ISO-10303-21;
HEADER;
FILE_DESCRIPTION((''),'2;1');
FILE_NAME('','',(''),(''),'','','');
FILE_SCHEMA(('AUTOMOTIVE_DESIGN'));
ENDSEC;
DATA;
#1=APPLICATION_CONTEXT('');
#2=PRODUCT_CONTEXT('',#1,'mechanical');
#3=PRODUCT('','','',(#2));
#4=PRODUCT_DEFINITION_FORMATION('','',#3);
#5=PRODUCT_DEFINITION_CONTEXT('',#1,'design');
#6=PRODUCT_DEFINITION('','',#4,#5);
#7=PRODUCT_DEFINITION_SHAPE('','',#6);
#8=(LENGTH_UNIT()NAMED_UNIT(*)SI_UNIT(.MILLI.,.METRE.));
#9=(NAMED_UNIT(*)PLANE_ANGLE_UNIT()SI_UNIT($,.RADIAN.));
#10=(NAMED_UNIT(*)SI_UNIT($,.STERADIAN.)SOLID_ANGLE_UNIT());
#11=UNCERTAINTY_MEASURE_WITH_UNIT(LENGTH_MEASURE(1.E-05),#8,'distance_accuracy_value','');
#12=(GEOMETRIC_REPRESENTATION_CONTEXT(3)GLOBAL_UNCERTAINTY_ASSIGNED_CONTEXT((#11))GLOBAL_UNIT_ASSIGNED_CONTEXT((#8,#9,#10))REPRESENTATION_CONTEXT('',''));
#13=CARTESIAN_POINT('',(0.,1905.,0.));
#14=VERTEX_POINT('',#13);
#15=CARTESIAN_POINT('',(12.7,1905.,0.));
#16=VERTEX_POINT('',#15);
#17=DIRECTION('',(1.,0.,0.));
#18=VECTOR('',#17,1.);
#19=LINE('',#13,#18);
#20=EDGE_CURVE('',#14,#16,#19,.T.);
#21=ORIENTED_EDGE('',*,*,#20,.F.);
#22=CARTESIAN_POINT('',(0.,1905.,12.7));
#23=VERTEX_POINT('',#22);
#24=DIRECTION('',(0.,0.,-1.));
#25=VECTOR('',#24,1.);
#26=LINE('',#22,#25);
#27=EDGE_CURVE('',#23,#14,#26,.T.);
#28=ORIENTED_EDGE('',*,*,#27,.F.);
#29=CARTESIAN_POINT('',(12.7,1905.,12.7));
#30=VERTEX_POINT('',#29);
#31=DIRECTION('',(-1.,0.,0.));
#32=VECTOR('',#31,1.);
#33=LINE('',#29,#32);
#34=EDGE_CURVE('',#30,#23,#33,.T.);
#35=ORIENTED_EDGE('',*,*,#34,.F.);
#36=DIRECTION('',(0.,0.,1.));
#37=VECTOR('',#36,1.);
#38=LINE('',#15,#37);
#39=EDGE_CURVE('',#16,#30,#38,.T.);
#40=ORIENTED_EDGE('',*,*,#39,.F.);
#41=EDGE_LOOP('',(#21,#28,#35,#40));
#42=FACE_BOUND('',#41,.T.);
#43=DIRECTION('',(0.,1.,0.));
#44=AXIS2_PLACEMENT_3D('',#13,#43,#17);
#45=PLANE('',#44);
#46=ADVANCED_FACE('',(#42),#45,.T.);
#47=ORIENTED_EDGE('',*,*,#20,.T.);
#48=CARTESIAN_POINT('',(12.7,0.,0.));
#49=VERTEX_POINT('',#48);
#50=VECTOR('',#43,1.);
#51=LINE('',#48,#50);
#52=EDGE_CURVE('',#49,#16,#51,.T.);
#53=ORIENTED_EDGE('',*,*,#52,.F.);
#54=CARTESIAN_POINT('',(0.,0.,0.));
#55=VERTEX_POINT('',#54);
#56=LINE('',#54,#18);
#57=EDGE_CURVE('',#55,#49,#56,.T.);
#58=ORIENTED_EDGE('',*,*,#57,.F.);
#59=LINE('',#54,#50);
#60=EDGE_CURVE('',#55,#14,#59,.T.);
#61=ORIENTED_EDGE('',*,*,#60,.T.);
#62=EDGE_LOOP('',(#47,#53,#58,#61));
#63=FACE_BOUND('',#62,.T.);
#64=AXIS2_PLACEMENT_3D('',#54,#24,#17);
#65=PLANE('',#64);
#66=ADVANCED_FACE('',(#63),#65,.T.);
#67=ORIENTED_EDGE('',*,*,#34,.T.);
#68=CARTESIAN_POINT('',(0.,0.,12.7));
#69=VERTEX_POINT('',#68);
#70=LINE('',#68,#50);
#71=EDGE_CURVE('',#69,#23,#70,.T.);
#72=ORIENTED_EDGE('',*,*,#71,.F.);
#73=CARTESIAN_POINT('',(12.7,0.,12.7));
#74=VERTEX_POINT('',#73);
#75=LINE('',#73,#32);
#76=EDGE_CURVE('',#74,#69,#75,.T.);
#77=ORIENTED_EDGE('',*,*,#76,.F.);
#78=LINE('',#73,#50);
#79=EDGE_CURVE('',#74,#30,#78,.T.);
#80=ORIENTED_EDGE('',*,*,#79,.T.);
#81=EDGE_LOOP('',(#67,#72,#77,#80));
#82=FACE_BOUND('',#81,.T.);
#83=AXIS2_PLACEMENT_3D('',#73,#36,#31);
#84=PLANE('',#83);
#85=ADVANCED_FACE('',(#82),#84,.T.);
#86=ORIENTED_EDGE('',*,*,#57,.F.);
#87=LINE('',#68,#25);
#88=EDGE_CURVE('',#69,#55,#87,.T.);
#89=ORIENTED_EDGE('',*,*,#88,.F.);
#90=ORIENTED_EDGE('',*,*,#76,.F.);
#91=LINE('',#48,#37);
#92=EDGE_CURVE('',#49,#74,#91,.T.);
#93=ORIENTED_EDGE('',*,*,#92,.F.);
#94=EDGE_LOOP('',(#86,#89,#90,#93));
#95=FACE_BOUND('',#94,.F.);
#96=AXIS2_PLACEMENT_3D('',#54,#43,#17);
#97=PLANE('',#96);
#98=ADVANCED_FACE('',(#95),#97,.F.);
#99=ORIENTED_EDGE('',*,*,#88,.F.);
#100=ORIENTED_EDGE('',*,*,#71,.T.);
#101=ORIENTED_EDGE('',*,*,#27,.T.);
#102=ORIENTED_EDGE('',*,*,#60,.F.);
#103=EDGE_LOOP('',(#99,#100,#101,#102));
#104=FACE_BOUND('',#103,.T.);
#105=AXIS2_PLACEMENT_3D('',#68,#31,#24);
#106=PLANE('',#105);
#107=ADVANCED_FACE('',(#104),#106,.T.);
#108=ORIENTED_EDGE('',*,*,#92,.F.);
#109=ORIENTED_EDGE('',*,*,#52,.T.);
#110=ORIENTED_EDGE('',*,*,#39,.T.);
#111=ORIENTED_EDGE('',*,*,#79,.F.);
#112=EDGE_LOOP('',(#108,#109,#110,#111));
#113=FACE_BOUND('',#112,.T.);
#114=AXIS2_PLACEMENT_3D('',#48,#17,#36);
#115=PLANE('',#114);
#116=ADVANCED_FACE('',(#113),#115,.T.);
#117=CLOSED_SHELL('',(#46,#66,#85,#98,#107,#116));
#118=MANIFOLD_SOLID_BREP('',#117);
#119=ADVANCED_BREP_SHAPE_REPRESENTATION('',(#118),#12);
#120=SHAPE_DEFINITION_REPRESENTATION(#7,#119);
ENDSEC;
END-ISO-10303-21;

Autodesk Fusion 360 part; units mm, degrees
sketch "Sketch4" plane through (0, 0, 0) normal (0, 1, 0) x (1, 0, 0)
  line L0 (0, 0) -> (12.7, 0)
  line L1 (12.7, 0) -> (12.7, -12.7)
  line L2 (12.7, -12.7) -> (0, -12.7)
  line L3 (0, -12.7) -> (0, 0)
  dimension "d19" = 12.7
extrude "Extrude4" add sketch "Sketch4" along normal blind 33.02 makes body 1
delete_body "RemoveBody1" bodies 1
extrude "Extrude5" add sketch "Sketch4" along normal blind 1905 separate body makes body 2
equation "Force = 300 lbforce"
equation "Elastic_modulus = 10000000 psi"
equation "Deflection = 0.009 in"
equation "Side = 0.5 in"
equation "Length = Deflection * Side ^ 2 * Elastic_modulus / Force"
equation "d19 = Side"
equation "d22 = Length"
